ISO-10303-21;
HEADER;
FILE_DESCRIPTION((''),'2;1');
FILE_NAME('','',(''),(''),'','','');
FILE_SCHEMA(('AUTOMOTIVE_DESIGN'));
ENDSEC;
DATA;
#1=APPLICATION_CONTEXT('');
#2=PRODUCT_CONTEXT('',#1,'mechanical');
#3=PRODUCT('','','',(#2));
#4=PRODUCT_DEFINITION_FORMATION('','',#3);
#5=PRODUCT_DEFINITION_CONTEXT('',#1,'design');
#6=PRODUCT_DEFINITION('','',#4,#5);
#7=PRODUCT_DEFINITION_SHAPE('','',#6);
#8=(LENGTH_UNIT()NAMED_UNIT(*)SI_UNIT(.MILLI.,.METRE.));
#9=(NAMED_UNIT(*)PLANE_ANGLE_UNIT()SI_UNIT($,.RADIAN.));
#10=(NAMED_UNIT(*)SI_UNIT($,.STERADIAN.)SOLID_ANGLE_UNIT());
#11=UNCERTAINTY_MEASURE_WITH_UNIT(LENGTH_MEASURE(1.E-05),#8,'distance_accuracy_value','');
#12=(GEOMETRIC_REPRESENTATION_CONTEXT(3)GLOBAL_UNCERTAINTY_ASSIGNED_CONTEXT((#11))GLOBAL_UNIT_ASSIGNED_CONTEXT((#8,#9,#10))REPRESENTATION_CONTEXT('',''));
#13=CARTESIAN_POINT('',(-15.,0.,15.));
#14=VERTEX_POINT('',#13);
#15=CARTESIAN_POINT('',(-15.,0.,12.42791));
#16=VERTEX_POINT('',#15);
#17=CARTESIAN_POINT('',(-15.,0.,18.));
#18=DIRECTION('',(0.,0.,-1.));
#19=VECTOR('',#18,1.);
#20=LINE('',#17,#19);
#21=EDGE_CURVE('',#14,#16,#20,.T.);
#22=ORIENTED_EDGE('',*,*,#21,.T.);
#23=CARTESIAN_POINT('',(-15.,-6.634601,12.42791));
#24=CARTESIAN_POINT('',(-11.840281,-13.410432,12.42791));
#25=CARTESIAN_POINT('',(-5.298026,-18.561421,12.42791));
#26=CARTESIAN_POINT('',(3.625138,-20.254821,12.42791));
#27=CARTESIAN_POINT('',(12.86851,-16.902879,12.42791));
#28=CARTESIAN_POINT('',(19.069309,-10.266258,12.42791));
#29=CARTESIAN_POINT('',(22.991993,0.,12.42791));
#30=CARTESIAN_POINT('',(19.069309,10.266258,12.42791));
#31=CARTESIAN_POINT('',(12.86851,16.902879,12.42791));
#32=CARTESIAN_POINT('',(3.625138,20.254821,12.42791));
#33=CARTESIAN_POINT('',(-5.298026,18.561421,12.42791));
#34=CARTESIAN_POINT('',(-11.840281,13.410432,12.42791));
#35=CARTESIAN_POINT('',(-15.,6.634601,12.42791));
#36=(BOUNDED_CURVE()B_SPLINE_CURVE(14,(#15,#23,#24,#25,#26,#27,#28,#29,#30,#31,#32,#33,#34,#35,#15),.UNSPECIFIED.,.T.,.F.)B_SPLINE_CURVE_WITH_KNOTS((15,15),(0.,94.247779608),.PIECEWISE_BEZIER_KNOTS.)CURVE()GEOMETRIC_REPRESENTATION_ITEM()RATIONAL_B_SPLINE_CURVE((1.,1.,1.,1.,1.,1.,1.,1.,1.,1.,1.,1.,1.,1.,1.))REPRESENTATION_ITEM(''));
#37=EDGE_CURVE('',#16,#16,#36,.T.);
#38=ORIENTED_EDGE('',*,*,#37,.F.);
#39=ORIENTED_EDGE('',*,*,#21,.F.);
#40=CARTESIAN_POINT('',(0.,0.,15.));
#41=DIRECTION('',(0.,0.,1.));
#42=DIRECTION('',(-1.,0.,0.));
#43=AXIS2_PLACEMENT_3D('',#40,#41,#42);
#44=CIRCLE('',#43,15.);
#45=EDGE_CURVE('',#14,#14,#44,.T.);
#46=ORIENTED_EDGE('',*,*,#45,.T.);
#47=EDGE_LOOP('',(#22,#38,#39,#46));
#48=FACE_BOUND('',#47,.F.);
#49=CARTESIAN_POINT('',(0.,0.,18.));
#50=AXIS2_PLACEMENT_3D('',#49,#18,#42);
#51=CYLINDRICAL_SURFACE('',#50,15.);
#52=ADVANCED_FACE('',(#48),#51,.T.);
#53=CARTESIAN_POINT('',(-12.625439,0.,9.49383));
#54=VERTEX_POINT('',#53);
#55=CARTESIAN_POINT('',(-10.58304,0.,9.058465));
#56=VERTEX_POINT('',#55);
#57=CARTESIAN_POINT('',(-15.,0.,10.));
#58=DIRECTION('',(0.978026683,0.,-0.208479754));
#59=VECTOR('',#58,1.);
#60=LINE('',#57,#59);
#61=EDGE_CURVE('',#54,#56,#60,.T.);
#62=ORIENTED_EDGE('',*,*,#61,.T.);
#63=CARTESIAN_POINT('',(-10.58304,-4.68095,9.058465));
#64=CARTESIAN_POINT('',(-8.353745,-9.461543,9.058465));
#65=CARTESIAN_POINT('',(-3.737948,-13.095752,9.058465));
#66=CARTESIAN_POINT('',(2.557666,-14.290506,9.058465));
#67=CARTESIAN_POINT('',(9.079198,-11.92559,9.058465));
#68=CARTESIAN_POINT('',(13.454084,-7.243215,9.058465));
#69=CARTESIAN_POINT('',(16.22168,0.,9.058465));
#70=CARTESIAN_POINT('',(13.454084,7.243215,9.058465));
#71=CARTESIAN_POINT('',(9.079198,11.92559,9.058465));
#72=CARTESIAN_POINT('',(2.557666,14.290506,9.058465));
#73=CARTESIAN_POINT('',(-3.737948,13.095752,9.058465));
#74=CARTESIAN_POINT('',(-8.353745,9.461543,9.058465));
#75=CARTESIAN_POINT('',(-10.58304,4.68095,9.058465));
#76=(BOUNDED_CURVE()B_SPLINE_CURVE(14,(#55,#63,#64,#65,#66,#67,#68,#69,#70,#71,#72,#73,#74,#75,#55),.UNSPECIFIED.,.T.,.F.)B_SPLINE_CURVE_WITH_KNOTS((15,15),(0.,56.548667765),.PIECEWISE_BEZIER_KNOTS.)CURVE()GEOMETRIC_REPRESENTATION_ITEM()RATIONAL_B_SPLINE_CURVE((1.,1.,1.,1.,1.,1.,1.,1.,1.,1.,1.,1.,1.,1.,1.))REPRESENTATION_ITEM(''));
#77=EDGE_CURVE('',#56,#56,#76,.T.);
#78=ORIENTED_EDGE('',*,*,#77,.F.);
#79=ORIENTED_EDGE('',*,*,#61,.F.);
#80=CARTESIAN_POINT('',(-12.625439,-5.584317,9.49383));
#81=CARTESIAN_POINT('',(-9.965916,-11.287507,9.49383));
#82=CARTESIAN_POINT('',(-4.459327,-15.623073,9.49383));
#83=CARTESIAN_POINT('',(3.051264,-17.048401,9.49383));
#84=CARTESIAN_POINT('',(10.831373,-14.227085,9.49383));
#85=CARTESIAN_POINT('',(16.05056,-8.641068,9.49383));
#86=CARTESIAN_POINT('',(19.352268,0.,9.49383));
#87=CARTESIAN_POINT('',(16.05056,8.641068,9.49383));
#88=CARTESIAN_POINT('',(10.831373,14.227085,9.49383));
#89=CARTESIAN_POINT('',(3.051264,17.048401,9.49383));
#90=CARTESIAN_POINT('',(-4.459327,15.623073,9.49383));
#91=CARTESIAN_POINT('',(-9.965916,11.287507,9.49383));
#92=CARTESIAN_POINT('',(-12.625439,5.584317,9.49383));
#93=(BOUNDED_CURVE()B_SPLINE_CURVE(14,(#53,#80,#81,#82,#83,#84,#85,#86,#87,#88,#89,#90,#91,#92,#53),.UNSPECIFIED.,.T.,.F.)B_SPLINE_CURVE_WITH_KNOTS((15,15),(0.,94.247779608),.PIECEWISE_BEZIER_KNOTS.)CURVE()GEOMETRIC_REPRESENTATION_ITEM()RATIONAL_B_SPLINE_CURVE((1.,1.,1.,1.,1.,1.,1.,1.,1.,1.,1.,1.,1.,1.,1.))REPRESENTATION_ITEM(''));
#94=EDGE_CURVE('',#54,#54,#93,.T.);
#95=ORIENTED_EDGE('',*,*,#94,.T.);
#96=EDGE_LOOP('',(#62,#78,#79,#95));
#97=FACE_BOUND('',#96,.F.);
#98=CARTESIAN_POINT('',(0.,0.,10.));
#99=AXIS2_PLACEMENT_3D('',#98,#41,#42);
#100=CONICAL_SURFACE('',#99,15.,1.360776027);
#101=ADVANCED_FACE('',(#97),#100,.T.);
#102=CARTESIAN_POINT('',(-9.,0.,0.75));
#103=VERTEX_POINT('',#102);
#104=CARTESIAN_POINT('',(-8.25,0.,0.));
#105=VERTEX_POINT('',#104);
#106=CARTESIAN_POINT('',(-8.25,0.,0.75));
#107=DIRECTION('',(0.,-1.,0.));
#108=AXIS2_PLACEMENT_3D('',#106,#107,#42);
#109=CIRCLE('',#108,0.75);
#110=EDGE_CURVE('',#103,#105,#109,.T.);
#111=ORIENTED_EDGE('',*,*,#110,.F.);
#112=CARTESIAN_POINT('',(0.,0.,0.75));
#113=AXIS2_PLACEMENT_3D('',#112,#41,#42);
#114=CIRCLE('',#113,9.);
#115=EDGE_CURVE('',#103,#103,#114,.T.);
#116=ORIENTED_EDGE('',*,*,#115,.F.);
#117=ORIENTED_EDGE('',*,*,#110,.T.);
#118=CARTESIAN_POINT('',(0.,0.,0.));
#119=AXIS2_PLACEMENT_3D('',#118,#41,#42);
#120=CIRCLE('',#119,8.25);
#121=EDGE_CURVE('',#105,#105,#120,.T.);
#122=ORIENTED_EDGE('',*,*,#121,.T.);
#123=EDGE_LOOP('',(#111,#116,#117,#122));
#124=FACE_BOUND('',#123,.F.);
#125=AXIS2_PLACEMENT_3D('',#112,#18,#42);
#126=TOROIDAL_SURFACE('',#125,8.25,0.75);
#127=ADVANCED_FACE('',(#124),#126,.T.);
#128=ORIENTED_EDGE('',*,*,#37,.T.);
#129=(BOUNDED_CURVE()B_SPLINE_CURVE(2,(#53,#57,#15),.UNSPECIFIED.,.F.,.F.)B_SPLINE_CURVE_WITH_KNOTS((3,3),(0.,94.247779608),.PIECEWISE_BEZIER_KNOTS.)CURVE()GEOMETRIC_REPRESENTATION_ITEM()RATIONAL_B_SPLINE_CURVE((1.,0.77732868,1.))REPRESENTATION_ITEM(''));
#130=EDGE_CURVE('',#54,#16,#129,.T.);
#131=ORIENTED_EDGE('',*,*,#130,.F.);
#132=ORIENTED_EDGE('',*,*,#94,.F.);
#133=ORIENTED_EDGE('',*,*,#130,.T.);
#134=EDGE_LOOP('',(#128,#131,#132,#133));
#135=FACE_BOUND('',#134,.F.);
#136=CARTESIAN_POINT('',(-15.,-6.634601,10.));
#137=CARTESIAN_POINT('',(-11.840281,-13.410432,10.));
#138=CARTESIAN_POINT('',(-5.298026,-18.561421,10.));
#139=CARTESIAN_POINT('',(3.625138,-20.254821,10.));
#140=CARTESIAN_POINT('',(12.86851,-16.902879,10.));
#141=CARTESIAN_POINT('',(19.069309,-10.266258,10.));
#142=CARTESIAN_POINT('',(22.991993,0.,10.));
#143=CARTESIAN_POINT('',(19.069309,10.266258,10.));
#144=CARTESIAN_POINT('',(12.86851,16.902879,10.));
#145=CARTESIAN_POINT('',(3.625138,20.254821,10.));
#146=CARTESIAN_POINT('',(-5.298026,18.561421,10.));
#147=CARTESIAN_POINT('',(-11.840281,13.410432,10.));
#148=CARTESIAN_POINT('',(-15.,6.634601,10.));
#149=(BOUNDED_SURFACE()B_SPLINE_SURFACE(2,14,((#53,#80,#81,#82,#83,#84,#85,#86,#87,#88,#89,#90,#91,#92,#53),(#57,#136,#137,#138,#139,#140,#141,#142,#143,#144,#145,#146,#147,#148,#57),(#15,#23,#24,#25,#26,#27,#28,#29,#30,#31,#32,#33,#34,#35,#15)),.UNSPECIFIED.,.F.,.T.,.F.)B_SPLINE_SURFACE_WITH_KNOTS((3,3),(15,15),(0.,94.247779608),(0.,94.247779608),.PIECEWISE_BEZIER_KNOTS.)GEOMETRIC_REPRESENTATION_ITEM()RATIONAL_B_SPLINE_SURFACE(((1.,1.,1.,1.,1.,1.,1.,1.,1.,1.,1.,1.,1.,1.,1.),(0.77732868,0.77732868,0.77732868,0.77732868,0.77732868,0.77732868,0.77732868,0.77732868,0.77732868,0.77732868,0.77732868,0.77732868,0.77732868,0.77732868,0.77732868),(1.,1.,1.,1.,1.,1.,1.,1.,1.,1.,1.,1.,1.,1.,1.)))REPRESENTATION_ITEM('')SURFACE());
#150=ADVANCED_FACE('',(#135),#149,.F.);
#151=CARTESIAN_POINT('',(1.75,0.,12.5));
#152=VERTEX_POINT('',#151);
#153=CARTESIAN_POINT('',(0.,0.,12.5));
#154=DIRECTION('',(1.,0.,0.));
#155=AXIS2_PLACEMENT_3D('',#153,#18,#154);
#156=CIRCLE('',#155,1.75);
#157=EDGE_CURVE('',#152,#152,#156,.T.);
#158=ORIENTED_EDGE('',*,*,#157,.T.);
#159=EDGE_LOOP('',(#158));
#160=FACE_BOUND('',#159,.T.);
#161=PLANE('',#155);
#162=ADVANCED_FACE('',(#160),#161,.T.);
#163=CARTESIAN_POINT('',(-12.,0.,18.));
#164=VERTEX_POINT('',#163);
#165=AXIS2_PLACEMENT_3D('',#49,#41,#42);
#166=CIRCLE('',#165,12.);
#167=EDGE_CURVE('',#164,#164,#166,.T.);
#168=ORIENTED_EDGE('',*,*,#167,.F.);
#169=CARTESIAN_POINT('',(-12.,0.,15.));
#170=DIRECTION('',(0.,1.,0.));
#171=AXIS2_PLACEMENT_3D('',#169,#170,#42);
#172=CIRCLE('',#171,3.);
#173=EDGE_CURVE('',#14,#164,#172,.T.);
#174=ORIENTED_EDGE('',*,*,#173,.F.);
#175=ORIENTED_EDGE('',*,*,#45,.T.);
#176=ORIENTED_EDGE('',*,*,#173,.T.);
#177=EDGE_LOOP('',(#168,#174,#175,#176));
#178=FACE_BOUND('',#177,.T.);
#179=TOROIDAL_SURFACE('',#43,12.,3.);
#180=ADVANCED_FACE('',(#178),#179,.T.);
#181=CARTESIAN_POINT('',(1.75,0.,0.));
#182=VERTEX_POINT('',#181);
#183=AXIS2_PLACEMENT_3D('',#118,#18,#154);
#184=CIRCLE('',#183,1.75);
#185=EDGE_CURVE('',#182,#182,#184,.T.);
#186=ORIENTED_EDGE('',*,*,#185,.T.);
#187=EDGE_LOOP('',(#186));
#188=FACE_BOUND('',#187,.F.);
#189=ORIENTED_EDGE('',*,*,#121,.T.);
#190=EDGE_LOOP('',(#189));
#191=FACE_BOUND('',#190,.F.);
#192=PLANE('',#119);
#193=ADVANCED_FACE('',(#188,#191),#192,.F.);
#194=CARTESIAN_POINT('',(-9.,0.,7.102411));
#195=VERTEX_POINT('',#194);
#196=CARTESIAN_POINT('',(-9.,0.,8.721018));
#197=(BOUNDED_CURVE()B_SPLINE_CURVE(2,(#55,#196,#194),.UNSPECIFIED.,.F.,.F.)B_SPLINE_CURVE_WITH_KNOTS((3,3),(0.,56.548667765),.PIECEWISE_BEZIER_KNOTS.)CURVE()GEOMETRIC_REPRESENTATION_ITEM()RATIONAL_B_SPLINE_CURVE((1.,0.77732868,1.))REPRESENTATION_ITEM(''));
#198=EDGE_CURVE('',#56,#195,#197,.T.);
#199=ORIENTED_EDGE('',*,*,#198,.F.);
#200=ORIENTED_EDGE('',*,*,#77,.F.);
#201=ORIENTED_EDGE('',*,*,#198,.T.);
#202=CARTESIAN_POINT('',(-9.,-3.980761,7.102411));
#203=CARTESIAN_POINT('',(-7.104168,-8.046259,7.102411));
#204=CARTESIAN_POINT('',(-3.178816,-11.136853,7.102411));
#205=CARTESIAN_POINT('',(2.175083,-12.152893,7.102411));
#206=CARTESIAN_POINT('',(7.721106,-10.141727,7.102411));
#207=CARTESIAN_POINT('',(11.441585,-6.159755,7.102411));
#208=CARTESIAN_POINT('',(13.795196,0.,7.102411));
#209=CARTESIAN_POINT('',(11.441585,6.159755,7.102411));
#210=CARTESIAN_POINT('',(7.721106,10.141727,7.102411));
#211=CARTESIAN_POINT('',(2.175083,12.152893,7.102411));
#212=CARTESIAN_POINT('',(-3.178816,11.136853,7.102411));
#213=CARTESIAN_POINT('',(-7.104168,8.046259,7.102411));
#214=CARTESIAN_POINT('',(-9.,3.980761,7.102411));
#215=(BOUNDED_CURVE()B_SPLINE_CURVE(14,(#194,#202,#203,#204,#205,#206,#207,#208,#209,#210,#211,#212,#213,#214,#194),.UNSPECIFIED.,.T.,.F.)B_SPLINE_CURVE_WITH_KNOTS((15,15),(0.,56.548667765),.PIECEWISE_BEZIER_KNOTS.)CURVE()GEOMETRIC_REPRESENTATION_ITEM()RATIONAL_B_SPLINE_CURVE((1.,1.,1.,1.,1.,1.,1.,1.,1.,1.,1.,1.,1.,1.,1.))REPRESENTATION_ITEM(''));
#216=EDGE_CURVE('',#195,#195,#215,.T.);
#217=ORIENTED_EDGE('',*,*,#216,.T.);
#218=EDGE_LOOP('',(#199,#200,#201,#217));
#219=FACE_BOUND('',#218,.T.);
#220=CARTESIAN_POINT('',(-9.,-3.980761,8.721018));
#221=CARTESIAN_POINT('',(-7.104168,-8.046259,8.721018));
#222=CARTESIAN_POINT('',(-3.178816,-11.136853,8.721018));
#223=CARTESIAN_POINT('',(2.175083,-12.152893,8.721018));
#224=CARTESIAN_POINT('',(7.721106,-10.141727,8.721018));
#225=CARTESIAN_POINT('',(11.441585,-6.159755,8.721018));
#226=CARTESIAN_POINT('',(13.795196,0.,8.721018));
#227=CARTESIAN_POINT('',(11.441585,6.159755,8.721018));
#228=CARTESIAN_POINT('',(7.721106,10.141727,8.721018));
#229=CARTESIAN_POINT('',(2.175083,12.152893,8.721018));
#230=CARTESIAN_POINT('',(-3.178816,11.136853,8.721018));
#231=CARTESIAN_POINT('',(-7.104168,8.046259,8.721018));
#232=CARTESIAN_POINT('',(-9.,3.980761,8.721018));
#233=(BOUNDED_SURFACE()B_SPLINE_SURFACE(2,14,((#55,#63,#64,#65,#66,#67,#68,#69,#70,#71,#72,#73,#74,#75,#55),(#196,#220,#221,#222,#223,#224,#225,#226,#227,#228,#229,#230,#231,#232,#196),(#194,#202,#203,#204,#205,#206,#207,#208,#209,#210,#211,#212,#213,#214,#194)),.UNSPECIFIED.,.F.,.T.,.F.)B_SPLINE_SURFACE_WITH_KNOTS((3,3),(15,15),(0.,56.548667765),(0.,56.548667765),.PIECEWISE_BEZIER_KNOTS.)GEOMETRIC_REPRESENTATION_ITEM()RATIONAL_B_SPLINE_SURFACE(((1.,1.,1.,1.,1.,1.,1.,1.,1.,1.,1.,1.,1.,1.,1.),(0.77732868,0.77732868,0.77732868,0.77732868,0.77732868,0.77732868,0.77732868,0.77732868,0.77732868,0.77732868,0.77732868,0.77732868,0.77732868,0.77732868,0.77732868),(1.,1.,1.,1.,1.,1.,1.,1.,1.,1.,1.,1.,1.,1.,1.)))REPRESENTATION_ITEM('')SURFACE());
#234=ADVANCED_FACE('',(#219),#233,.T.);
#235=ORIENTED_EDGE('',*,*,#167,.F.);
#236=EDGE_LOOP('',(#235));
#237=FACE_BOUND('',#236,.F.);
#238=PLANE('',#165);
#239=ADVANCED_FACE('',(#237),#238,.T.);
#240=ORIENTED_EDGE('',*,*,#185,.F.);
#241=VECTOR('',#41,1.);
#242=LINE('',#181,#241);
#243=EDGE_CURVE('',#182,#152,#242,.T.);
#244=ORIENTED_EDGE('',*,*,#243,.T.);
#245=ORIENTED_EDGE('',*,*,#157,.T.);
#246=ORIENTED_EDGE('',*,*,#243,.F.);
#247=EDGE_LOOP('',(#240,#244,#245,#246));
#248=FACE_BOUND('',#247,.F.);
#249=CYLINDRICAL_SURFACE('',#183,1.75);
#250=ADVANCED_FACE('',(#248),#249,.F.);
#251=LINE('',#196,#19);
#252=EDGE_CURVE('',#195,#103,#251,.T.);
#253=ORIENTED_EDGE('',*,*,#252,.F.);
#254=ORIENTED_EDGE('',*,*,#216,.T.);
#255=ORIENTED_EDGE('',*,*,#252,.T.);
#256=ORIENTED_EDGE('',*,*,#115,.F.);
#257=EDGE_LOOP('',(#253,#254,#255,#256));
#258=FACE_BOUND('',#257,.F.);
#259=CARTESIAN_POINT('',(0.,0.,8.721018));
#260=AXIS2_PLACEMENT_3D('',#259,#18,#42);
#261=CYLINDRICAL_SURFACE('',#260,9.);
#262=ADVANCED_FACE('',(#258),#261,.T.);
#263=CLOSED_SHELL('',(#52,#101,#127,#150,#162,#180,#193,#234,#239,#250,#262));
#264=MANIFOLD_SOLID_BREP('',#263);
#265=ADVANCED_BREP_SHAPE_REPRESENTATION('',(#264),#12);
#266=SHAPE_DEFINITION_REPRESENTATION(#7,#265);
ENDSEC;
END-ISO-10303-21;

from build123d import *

# Parameters (mm, degrees)
F2_R     = 1.75
F3_DEPTH = 12.5
F4_R     = 3
F5_R     = 2
F6_R     = 0.75


with BuildPart() as f1:
    # F0 (on Front) → F1 (revolve)
    with BuildSketch(Plane.XZ):
        Polygon((-9, 0), (0, 0), (0, 18), (-15, 18), (-15, 10), (-9, 8.721018), align=None)
    revolve(axis=Axis((0, 0, 9), (0, 0, 1)))

    # F2 (on face) → F3 (cut)
    with BuildSketch(Plane(origin=(0, 0, 0), x_dir=(1, 0, 0), z_dir=(0, 0, -1))):
        Circle(F2_R)
    extrude(amount=-F3_DEPTH, mode=Mode.SUBTRACT)

    # F4
    f4_edges = [f1.edges().sort_by_distance(p)[0] for p in [
        (15, 0, 18),
        (15, 0, 10),
    ]]
    fillet(f4_edges, radius=F4_R)

    # F5
    f5_edges = [f1.edges().sort_by_distance(p)[0] for p in [
        (9, 0, 8.721018),
    ]]
    fillet(f5_edges, radius=F5_R)

    # F6
    f6_edges = [f1.edges().sort_by_distance(p)[0] for p in [
        (9, 0, 0),
    ]]
    fillet(f6_edges, radius=F6_R)


solid = f1.part
